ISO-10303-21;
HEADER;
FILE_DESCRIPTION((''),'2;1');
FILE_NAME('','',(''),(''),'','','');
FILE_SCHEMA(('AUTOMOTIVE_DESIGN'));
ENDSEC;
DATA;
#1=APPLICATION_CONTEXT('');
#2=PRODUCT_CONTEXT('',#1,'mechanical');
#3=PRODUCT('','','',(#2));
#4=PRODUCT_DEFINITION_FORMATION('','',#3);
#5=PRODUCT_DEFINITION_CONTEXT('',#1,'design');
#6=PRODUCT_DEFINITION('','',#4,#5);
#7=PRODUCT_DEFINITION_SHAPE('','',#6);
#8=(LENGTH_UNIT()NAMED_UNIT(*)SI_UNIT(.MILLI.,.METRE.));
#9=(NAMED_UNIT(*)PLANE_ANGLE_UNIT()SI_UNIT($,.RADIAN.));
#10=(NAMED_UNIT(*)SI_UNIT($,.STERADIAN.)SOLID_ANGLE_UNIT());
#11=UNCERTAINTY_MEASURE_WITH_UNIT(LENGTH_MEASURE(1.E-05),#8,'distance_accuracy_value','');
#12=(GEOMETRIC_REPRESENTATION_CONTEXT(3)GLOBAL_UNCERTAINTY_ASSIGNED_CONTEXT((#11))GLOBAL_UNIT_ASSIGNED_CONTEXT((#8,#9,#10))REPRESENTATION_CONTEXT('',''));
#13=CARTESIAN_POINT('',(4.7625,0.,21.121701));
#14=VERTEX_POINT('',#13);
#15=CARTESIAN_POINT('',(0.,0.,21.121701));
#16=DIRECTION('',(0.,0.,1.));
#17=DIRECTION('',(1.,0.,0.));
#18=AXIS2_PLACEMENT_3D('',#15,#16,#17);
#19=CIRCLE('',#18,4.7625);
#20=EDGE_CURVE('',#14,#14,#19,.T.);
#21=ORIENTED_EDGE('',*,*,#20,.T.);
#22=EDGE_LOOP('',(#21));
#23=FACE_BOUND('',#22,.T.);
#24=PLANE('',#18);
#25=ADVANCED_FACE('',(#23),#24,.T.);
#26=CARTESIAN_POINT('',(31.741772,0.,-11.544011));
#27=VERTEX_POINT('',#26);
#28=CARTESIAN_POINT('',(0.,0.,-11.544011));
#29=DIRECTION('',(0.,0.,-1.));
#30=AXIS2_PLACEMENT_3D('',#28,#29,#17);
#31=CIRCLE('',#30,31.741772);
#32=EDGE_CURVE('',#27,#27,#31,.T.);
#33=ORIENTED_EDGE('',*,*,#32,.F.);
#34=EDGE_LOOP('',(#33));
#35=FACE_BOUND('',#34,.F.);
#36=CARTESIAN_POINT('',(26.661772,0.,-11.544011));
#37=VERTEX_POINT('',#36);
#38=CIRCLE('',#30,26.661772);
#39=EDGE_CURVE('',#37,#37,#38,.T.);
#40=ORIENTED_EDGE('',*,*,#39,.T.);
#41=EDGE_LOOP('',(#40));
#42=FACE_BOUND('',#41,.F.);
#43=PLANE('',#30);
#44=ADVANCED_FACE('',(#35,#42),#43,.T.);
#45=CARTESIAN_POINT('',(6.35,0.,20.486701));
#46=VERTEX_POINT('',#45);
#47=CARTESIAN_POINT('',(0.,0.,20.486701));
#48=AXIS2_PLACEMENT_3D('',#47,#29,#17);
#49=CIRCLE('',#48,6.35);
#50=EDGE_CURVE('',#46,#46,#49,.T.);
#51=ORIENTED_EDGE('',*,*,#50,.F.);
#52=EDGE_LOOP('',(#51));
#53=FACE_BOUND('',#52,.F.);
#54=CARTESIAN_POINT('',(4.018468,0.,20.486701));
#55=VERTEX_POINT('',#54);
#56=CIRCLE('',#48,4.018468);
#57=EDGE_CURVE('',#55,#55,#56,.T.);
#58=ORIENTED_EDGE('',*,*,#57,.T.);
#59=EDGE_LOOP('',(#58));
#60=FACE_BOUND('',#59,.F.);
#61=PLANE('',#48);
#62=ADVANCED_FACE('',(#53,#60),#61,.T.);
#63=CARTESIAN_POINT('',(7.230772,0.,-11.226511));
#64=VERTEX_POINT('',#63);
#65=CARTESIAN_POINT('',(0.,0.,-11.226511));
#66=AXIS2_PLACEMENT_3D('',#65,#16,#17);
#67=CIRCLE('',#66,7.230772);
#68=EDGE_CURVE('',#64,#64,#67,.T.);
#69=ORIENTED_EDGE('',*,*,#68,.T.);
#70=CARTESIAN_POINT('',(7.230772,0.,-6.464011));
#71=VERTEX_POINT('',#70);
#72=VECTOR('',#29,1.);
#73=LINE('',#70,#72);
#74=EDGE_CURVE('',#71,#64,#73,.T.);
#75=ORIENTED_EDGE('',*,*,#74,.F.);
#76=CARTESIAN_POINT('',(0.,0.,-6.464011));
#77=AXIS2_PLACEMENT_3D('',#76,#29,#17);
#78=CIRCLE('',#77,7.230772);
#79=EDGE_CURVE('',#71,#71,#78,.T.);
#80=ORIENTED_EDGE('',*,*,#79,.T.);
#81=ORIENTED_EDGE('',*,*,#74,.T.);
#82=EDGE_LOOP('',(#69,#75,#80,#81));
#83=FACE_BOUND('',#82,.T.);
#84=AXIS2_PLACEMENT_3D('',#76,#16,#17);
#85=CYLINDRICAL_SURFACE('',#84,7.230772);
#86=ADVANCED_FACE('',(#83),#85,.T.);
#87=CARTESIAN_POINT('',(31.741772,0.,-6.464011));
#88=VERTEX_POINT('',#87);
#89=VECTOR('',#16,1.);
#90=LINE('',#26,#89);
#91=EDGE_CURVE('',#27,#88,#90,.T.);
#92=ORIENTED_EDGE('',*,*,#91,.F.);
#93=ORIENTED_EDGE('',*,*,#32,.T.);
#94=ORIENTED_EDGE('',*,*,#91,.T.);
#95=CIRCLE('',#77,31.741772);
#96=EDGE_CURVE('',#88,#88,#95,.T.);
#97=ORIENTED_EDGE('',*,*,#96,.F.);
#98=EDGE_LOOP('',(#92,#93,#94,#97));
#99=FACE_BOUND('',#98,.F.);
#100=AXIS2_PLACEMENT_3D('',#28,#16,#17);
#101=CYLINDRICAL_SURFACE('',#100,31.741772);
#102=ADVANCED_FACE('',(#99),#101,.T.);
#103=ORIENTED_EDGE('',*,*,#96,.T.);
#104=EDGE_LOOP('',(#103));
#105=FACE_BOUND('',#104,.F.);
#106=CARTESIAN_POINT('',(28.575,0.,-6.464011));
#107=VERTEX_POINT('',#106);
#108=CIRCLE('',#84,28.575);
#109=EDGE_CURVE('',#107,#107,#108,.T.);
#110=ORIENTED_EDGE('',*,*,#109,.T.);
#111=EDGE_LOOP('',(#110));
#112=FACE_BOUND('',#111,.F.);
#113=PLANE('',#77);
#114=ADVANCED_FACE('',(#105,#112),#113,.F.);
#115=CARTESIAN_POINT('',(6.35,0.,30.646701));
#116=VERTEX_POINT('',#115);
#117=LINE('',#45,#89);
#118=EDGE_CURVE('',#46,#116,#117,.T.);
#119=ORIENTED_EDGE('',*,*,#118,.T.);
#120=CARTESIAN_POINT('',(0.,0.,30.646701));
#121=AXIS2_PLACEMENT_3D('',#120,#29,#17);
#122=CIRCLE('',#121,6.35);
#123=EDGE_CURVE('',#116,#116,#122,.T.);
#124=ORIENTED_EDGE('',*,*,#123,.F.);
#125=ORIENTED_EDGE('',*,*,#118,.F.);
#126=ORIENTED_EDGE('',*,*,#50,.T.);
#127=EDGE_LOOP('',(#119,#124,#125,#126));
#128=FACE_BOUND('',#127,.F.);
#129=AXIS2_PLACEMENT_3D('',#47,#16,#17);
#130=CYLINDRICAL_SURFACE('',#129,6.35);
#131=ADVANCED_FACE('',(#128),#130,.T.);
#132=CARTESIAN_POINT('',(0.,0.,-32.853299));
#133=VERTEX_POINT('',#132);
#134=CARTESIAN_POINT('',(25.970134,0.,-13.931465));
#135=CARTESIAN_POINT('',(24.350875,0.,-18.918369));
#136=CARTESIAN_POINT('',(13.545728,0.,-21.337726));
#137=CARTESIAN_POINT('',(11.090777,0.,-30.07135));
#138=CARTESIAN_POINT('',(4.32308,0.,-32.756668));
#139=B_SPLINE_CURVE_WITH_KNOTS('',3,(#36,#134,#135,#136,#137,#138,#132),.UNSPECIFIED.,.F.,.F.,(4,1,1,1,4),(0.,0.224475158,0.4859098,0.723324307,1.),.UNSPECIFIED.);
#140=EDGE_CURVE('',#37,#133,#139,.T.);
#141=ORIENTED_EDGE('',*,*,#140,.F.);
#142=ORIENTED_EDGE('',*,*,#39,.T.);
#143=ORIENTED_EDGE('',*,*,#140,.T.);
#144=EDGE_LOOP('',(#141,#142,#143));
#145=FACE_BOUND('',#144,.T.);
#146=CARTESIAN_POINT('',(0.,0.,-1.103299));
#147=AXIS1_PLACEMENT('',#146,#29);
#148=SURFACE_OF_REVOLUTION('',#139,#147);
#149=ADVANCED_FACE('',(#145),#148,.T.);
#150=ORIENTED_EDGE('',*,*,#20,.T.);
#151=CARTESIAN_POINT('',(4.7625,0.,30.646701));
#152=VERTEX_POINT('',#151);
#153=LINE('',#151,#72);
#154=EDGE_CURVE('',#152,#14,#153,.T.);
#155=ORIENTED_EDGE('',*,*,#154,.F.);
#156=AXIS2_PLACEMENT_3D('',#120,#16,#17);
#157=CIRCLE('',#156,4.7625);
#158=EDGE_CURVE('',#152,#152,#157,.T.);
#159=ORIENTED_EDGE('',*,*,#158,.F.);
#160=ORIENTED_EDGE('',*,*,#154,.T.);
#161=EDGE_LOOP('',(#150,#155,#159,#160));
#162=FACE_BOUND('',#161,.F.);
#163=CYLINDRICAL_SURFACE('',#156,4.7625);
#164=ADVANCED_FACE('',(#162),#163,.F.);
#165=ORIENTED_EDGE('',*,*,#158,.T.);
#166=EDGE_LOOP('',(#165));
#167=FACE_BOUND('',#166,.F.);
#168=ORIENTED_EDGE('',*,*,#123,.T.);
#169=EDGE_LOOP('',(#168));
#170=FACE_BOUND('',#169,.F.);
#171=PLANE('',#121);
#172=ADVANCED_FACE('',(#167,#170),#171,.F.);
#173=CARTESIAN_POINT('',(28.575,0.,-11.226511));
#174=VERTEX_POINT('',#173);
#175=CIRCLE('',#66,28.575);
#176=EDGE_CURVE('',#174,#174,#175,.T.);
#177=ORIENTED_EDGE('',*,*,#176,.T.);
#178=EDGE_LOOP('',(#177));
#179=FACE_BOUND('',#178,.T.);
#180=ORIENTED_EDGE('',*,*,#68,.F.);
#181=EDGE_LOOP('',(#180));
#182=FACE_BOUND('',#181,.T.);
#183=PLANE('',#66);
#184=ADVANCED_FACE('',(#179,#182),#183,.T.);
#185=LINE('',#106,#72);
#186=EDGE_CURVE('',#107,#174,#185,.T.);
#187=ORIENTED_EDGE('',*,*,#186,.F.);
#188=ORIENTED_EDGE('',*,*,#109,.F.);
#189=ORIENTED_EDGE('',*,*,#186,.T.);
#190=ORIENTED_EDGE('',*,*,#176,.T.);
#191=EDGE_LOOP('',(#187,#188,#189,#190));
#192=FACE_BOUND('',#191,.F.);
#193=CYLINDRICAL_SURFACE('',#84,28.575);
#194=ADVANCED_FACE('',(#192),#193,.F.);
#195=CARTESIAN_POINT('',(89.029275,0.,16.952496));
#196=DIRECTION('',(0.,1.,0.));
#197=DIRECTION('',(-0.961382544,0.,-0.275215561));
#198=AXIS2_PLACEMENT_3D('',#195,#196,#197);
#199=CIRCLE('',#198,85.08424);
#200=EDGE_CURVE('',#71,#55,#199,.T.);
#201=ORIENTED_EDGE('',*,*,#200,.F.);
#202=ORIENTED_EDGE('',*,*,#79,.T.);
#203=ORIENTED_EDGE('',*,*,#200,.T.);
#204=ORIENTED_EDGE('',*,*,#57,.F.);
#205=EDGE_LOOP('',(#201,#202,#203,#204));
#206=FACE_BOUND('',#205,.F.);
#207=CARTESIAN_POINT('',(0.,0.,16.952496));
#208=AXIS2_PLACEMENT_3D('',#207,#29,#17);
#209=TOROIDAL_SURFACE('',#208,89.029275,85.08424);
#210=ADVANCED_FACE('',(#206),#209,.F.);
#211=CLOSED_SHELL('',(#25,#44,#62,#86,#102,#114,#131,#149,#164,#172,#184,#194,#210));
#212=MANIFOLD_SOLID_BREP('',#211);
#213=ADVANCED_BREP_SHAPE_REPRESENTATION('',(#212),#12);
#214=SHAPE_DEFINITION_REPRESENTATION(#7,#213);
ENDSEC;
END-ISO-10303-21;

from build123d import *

# Parameters (mm, degrees)
F2_R     = 4.7625
F3_DEPTH = 9.525
F4_R     = 28.575
F4_R_2   = 7.2307717055
F5_DEPTH = 4.7625


with BuildPart() as f1:
    # F0 (on Front) → F1 (revolve)
    with BuildSketch(Plane.XZ):
        with BuildLine():
            Line((6.35, 30.6467008089), (0, 30.6467008089))
            Line((0, 30.6467008089), (0, -32.8532991911))
            add(Edge.make_bspline(
                [(26.6617717055, -11.54401084), (25.9701343115, -13.9314647613), (24.3508750064, -18.9183687036), (13.5457281466, -21.337726364), (11.0907767564, -30.071349519), (4.3230797164, -32.7566675842), (0, -32.8532991911)],
                knots=[0, 0, 0, 0, 0.2244751583, 0.4859098, 0.7233243068, 1, 1, 1, 1], degree=3))
            Line((26.6617717055, -11.54401084), (31.7417717055, -11.54401084))
            Line((31.7417717055, -11.54401084), (31.7417717055, -6.46401084))
            Line((31.7417717055, -6.46401084), (7.2307717055, -6.46401084))
            ThreePointArc((7.2307717055, -6.46401084), (4.5430528835, 6.8824310785), (4.018467851, 20.4867008089))
            Line((4.018467851, 20.4867008089), (6.35, 20.4867008089))
            Line((6.35, 20.4867008089), (6.35, 30.6467008089))
        make_face()
    revolve(axis=Axis((0, 0, -1.1032991911), (0, 0, -1)))

    # F2 (on face) → F3 (cut)
    with BuildSketch(Plane.XY.offset(30.6467008089)):
        Circle(F2_R)
    extrude(amount=-F3_DEPTH, mode=Mode.SUBTRACT)

    # F4 (on face) → F5 (cut)
    with BuildSketch(Plane.XY.offset(-6.46401084)):
        Circle(F4_R)
        Circle(F4_R_2, mode=Mode.SUBTRACT)
    extrude(amount=-F5_DEPTH, mode=Mode.SUBTRACT)


solid = f1.part
